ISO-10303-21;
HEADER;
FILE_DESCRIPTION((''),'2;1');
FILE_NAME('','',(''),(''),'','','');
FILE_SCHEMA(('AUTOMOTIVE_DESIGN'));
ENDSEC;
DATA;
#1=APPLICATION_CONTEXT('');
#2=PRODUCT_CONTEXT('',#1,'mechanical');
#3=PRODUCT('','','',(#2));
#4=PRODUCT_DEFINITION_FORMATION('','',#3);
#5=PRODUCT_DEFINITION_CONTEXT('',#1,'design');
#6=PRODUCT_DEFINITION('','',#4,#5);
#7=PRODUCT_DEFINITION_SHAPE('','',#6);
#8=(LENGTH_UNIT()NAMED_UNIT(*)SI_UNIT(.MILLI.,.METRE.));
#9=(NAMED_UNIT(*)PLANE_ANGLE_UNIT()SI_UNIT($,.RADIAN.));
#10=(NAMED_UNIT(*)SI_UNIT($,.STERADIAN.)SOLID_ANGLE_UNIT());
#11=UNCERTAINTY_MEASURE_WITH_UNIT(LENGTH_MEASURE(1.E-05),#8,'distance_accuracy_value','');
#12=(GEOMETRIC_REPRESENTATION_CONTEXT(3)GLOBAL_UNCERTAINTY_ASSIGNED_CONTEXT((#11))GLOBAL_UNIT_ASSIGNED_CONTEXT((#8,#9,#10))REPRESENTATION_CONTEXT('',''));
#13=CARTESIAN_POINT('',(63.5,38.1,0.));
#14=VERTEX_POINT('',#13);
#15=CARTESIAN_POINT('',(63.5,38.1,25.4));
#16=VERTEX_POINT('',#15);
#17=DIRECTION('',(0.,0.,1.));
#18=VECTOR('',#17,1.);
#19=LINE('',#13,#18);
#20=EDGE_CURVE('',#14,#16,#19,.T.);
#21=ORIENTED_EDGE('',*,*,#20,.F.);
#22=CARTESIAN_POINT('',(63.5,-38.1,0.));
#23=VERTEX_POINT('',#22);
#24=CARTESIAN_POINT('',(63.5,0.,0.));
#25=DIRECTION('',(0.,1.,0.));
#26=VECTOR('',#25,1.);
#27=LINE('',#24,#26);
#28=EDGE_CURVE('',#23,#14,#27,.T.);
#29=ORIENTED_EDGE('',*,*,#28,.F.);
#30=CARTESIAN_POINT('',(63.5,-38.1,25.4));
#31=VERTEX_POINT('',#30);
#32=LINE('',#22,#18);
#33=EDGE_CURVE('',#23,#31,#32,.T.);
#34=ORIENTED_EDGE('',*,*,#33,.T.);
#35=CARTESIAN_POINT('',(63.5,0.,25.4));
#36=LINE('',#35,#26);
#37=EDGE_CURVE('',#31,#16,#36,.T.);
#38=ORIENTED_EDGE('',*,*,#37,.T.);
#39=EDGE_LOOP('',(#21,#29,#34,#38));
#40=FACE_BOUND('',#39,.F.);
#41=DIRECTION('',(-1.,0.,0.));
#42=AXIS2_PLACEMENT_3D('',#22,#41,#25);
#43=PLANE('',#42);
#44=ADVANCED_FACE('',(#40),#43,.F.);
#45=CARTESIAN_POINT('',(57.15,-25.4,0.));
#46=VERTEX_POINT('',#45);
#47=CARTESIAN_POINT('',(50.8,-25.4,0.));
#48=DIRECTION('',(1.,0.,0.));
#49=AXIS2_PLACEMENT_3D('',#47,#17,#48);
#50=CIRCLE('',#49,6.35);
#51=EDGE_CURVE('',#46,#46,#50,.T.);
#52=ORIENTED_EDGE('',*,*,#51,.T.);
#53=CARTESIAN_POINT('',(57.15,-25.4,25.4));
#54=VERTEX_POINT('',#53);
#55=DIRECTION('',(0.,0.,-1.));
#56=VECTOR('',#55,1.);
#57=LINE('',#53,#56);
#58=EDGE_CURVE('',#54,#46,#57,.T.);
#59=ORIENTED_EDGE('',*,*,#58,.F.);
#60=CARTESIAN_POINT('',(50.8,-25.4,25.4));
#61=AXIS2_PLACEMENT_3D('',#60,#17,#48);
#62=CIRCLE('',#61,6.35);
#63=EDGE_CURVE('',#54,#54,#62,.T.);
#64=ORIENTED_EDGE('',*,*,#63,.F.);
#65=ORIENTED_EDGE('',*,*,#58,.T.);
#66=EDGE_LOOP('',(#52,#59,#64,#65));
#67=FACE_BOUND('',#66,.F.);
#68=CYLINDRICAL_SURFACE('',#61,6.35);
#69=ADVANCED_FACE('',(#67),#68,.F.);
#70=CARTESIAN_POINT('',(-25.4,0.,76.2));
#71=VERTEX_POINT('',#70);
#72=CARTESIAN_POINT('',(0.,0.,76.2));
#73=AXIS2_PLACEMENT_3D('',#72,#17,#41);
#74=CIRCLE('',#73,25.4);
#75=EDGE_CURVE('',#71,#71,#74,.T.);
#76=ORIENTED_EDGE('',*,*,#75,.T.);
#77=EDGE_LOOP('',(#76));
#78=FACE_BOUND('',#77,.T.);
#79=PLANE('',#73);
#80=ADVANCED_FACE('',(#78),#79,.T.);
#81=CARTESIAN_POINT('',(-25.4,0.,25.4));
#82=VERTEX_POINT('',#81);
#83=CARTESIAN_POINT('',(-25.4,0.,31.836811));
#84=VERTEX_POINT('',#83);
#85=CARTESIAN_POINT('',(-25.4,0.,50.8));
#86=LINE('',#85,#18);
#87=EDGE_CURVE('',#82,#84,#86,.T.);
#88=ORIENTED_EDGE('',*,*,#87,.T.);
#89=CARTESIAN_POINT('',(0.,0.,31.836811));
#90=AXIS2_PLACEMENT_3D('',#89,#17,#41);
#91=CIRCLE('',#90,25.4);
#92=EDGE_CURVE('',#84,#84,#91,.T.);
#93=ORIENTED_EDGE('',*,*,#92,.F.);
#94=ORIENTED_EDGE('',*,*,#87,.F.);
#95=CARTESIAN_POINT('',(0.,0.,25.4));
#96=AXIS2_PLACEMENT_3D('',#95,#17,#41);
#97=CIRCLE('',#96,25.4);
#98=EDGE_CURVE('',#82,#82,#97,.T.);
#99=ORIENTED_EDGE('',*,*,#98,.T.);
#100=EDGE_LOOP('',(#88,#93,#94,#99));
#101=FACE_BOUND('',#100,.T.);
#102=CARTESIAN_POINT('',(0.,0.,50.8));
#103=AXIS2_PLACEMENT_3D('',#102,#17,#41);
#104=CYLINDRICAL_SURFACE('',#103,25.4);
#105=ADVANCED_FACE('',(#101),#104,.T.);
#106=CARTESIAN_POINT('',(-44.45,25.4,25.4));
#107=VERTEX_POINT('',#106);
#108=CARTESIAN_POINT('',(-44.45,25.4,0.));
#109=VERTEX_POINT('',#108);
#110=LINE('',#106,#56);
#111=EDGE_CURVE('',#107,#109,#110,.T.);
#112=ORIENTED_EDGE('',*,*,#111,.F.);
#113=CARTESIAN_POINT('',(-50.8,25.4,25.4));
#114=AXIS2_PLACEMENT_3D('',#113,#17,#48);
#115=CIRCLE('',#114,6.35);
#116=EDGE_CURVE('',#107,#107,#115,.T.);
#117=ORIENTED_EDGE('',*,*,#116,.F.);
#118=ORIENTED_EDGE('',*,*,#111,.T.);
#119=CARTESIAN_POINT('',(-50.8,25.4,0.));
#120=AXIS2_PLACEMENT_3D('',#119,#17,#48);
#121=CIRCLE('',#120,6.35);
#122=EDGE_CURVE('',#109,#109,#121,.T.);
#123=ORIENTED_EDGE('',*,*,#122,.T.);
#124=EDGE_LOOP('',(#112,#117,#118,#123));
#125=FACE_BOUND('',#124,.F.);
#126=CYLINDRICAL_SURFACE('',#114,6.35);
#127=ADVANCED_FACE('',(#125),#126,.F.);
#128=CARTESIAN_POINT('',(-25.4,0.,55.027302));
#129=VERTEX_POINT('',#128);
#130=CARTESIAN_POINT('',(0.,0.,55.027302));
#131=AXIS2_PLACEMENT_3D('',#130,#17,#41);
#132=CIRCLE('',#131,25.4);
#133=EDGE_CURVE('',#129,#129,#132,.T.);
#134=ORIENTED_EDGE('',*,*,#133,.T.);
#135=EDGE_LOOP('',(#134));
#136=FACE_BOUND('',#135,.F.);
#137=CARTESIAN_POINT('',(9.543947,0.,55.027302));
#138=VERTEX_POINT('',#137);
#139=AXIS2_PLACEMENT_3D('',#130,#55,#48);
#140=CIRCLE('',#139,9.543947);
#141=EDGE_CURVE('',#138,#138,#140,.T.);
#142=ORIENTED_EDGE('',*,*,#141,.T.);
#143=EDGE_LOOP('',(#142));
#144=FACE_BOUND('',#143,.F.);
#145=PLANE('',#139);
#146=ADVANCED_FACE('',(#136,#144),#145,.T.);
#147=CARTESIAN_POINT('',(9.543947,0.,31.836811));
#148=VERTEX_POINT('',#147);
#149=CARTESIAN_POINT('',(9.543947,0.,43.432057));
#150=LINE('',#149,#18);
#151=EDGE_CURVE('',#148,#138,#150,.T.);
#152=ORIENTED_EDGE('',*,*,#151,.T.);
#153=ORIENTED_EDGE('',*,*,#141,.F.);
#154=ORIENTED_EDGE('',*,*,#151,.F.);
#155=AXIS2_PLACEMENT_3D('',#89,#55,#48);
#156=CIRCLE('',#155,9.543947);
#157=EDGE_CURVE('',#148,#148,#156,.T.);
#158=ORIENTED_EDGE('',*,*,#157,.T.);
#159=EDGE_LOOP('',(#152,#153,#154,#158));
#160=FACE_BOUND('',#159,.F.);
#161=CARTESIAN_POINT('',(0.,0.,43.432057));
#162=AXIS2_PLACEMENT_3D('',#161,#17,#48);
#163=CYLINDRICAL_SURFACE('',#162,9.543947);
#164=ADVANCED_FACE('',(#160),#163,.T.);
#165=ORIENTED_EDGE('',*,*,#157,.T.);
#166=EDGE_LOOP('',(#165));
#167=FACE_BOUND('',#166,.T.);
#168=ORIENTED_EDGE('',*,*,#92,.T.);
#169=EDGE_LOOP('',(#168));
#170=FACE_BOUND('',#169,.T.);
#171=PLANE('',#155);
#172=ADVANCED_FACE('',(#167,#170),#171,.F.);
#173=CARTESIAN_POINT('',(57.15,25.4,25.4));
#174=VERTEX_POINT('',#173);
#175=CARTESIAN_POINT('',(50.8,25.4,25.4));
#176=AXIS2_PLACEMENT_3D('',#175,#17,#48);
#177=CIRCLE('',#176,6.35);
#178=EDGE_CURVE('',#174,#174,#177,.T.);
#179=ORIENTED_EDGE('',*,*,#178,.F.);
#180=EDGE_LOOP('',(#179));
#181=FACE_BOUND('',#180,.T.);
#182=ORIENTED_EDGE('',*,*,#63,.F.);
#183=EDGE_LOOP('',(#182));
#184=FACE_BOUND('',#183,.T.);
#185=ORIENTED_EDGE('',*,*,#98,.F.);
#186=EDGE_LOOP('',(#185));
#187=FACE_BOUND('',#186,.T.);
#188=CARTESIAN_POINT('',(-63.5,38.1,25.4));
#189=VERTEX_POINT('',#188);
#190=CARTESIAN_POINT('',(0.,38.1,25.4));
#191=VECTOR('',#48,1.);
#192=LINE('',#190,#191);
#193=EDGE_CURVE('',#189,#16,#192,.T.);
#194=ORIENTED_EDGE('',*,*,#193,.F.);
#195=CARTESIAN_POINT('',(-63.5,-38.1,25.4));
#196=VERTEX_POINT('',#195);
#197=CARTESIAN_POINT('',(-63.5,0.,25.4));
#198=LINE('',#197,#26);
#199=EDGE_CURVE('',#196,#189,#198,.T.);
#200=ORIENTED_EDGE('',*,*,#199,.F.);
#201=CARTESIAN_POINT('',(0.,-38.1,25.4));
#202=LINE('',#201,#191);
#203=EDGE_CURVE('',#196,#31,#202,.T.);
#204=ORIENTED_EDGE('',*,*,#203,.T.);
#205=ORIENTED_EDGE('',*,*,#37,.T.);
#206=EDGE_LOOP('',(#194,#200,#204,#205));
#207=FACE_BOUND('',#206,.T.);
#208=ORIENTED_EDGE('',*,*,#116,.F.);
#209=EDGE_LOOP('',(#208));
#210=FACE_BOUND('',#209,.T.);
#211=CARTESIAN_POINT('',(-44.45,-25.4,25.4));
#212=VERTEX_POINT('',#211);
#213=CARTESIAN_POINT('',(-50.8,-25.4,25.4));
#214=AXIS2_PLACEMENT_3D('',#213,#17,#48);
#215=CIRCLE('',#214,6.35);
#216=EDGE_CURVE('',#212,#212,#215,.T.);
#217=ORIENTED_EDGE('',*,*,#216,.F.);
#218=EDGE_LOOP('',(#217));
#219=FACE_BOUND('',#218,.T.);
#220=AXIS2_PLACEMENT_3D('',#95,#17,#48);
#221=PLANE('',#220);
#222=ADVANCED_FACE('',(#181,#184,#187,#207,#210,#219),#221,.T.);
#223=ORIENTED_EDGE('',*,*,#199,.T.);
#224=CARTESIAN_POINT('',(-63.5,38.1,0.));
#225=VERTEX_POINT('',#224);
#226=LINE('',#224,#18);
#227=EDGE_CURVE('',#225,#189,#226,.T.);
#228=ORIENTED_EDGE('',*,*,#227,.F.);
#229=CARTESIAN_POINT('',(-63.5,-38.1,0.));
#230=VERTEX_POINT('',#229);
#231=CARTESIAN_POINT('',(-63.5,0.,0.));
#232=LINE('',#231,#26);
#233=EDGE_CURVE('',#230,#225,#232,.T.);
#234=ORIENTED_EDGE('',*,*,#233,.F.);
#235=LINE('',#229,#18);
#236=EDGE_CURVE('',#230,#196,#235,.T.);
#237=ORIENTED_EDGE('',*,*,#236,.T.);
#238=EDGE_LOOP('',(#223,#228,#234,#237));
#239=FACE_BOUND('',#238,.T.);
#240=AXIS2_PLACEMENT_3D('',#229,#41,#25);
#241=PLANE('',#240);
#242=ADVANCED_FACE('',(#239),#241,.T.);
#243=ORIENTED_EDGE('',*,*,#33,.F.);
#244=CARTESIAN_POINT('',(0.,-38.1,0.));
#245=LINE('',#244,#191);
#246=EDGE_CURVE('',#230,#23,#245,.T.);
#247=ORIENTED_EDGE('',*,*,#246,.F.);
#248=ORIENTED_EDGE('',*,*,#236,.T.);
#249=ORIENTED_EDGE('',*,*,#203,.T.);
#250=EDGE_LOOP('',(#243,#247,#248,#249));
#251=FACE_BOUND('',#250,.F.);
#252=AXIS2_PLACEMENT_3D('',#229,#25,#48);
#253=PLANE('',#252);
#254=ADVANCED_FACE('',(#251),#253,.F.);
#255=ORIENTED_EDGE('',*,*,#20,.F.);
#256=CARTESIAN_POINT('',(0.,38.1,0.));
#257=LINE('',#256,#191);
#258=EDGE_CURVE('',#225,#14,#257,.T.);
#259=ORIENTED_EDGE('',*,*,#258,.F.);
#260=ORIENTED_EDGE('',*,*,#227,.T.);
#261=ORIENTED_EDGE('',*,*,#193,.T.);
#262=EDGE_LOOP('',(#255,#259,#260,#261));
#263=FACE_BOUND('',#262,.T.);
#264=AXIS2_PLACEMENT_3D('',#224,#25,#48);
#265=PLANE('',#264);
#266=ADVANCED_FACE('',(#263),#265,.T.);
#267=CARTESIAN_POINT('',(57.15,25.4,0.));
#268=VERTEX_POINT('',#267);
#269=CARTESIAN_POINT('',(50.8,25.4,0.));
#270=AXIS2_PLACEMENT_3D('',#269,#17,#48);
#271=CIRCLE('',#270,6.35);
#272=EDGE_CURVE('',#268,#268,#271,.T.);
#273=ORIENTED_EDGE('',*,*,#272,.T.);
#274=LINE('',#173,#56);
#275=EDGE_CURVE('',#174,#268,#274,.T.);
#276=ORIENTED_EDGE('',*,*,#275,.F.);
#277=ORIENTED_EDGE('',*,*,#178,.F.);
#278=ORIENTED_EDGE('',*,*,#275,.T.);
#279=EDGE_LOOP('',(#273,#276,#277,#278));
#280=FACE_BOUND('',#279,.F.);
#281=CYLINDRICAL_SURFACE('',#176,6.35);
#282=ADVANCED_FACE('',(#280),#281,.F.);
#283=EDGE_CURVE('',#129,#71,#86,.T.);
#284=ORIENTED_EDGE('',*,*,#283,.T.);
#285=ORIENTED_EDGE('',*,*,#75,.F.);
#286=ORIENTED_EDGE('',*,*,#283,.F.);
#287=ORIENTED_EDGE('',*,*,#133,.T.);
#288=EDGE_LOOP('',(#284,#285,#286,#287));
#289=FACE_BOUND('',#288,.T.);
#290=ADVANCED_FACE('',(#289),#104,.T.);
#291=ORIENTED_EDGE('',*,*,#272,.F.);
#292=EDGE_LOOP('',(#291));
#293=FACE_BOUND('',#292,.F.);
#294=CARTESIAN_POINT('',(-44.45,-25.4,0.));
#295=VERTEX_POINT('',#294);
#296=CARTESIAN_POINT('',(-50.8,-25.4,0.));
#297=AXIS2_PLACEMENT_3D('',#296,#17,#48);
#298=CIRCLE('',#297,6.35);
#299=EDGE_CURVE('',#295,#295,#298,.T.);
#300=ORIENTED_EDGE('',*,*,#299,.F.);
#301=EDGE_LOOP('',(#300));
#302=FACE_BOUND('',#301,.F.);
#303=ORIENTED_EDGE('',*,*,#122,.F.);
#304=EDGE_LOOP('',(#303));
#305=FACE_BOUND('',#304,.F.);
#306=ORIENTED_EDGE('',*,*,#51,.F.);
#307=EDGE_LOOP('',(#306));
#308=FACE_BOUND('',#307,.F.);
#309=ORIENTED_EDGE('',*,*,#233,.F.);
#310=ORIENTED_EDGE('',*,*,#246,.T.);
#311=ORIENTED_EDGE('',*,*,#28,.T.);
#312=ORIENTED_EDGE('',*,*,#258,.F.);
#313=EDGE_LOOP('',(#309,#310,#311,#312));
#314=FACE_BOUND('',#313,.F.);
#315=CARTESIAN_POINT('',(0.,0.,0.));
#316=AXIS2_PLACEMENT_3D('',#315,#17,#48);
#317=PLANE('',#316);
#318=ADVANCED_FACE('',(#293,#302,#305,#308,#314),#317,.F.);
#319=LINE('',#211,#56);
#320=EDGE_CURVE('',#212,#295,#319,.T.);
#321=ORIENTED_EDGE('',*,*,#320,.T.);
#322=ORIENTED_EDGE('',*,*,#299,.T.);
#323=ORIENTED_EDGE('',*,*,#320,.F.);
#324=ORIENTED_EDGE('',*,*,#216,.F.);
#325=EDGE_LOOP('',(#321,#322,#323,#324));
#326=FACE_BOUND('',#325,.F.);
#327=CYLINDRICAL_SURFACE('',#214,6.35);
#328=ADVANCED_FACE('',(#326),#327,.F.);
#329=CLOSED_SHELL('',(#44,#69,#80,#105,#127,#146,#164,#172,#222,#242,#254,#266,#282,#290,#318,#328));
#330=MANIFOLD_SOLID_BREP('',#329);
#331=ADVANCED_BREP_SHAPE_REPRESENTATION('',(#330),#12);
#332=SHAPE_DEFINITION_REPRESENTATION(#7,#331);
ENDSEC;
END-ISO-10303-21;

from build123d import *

# Parameters (mm, degrees)
F0_W     = 127
F0_H     = 76.2
F1_DEPTH = 25.4
F2_R     = 6.35
F3_DEPTH = 25.4
F4_W     = 25.4
F4_H     = 50.8
F6_W     = 50.640457
F6_H     = 23.190491


with BuildPart() as f1:
    # F0 (on Top) → F1 (new body)
    with BuildSketch(Plane.XY):
        Rectangle(F0_W, F0_H)
    extrude(amount=F1_DEPTH)

    # F2 (on face) → F3 (cut)
    with BuildSketch(Plane.XY.offset(25.4)):
        with Locations((50.8, -25.4)):
            Circle(F2_R)
        with Locations((-50.8, -25.4)):
            Circle(F2_R)
        with Locations((50.8, 25.4)):
            Circle(F2_R)
        with Locations((-50.8, 25.4)):
            Circle(F2_R)
    extrude(amount=-F3_DEPTH, mode=Mode.SUBTRACT)

    # F4 (on Front) → F5 (revolve)
    with BuildSketch(Plane.XZ):
        with Locations((-12.7, 50.8)):
            Rectangle(F4_W, F4_H)
    revolve(axis=Axis((0, 0, 50.8), (0, 0, 1)))

    # F6 (on Front) → F7 (revolve, cut)
    with BuildSketch(Plane.XZ):
        with Locations((34.864176, 43.432057)):
            Rectangle(F6_W, F6_H)
    revolve(axis=Axis((0, 0, 76.2), (0, 0, -1)), mode=Mode.SUBTRACT)


solid = f1.part
